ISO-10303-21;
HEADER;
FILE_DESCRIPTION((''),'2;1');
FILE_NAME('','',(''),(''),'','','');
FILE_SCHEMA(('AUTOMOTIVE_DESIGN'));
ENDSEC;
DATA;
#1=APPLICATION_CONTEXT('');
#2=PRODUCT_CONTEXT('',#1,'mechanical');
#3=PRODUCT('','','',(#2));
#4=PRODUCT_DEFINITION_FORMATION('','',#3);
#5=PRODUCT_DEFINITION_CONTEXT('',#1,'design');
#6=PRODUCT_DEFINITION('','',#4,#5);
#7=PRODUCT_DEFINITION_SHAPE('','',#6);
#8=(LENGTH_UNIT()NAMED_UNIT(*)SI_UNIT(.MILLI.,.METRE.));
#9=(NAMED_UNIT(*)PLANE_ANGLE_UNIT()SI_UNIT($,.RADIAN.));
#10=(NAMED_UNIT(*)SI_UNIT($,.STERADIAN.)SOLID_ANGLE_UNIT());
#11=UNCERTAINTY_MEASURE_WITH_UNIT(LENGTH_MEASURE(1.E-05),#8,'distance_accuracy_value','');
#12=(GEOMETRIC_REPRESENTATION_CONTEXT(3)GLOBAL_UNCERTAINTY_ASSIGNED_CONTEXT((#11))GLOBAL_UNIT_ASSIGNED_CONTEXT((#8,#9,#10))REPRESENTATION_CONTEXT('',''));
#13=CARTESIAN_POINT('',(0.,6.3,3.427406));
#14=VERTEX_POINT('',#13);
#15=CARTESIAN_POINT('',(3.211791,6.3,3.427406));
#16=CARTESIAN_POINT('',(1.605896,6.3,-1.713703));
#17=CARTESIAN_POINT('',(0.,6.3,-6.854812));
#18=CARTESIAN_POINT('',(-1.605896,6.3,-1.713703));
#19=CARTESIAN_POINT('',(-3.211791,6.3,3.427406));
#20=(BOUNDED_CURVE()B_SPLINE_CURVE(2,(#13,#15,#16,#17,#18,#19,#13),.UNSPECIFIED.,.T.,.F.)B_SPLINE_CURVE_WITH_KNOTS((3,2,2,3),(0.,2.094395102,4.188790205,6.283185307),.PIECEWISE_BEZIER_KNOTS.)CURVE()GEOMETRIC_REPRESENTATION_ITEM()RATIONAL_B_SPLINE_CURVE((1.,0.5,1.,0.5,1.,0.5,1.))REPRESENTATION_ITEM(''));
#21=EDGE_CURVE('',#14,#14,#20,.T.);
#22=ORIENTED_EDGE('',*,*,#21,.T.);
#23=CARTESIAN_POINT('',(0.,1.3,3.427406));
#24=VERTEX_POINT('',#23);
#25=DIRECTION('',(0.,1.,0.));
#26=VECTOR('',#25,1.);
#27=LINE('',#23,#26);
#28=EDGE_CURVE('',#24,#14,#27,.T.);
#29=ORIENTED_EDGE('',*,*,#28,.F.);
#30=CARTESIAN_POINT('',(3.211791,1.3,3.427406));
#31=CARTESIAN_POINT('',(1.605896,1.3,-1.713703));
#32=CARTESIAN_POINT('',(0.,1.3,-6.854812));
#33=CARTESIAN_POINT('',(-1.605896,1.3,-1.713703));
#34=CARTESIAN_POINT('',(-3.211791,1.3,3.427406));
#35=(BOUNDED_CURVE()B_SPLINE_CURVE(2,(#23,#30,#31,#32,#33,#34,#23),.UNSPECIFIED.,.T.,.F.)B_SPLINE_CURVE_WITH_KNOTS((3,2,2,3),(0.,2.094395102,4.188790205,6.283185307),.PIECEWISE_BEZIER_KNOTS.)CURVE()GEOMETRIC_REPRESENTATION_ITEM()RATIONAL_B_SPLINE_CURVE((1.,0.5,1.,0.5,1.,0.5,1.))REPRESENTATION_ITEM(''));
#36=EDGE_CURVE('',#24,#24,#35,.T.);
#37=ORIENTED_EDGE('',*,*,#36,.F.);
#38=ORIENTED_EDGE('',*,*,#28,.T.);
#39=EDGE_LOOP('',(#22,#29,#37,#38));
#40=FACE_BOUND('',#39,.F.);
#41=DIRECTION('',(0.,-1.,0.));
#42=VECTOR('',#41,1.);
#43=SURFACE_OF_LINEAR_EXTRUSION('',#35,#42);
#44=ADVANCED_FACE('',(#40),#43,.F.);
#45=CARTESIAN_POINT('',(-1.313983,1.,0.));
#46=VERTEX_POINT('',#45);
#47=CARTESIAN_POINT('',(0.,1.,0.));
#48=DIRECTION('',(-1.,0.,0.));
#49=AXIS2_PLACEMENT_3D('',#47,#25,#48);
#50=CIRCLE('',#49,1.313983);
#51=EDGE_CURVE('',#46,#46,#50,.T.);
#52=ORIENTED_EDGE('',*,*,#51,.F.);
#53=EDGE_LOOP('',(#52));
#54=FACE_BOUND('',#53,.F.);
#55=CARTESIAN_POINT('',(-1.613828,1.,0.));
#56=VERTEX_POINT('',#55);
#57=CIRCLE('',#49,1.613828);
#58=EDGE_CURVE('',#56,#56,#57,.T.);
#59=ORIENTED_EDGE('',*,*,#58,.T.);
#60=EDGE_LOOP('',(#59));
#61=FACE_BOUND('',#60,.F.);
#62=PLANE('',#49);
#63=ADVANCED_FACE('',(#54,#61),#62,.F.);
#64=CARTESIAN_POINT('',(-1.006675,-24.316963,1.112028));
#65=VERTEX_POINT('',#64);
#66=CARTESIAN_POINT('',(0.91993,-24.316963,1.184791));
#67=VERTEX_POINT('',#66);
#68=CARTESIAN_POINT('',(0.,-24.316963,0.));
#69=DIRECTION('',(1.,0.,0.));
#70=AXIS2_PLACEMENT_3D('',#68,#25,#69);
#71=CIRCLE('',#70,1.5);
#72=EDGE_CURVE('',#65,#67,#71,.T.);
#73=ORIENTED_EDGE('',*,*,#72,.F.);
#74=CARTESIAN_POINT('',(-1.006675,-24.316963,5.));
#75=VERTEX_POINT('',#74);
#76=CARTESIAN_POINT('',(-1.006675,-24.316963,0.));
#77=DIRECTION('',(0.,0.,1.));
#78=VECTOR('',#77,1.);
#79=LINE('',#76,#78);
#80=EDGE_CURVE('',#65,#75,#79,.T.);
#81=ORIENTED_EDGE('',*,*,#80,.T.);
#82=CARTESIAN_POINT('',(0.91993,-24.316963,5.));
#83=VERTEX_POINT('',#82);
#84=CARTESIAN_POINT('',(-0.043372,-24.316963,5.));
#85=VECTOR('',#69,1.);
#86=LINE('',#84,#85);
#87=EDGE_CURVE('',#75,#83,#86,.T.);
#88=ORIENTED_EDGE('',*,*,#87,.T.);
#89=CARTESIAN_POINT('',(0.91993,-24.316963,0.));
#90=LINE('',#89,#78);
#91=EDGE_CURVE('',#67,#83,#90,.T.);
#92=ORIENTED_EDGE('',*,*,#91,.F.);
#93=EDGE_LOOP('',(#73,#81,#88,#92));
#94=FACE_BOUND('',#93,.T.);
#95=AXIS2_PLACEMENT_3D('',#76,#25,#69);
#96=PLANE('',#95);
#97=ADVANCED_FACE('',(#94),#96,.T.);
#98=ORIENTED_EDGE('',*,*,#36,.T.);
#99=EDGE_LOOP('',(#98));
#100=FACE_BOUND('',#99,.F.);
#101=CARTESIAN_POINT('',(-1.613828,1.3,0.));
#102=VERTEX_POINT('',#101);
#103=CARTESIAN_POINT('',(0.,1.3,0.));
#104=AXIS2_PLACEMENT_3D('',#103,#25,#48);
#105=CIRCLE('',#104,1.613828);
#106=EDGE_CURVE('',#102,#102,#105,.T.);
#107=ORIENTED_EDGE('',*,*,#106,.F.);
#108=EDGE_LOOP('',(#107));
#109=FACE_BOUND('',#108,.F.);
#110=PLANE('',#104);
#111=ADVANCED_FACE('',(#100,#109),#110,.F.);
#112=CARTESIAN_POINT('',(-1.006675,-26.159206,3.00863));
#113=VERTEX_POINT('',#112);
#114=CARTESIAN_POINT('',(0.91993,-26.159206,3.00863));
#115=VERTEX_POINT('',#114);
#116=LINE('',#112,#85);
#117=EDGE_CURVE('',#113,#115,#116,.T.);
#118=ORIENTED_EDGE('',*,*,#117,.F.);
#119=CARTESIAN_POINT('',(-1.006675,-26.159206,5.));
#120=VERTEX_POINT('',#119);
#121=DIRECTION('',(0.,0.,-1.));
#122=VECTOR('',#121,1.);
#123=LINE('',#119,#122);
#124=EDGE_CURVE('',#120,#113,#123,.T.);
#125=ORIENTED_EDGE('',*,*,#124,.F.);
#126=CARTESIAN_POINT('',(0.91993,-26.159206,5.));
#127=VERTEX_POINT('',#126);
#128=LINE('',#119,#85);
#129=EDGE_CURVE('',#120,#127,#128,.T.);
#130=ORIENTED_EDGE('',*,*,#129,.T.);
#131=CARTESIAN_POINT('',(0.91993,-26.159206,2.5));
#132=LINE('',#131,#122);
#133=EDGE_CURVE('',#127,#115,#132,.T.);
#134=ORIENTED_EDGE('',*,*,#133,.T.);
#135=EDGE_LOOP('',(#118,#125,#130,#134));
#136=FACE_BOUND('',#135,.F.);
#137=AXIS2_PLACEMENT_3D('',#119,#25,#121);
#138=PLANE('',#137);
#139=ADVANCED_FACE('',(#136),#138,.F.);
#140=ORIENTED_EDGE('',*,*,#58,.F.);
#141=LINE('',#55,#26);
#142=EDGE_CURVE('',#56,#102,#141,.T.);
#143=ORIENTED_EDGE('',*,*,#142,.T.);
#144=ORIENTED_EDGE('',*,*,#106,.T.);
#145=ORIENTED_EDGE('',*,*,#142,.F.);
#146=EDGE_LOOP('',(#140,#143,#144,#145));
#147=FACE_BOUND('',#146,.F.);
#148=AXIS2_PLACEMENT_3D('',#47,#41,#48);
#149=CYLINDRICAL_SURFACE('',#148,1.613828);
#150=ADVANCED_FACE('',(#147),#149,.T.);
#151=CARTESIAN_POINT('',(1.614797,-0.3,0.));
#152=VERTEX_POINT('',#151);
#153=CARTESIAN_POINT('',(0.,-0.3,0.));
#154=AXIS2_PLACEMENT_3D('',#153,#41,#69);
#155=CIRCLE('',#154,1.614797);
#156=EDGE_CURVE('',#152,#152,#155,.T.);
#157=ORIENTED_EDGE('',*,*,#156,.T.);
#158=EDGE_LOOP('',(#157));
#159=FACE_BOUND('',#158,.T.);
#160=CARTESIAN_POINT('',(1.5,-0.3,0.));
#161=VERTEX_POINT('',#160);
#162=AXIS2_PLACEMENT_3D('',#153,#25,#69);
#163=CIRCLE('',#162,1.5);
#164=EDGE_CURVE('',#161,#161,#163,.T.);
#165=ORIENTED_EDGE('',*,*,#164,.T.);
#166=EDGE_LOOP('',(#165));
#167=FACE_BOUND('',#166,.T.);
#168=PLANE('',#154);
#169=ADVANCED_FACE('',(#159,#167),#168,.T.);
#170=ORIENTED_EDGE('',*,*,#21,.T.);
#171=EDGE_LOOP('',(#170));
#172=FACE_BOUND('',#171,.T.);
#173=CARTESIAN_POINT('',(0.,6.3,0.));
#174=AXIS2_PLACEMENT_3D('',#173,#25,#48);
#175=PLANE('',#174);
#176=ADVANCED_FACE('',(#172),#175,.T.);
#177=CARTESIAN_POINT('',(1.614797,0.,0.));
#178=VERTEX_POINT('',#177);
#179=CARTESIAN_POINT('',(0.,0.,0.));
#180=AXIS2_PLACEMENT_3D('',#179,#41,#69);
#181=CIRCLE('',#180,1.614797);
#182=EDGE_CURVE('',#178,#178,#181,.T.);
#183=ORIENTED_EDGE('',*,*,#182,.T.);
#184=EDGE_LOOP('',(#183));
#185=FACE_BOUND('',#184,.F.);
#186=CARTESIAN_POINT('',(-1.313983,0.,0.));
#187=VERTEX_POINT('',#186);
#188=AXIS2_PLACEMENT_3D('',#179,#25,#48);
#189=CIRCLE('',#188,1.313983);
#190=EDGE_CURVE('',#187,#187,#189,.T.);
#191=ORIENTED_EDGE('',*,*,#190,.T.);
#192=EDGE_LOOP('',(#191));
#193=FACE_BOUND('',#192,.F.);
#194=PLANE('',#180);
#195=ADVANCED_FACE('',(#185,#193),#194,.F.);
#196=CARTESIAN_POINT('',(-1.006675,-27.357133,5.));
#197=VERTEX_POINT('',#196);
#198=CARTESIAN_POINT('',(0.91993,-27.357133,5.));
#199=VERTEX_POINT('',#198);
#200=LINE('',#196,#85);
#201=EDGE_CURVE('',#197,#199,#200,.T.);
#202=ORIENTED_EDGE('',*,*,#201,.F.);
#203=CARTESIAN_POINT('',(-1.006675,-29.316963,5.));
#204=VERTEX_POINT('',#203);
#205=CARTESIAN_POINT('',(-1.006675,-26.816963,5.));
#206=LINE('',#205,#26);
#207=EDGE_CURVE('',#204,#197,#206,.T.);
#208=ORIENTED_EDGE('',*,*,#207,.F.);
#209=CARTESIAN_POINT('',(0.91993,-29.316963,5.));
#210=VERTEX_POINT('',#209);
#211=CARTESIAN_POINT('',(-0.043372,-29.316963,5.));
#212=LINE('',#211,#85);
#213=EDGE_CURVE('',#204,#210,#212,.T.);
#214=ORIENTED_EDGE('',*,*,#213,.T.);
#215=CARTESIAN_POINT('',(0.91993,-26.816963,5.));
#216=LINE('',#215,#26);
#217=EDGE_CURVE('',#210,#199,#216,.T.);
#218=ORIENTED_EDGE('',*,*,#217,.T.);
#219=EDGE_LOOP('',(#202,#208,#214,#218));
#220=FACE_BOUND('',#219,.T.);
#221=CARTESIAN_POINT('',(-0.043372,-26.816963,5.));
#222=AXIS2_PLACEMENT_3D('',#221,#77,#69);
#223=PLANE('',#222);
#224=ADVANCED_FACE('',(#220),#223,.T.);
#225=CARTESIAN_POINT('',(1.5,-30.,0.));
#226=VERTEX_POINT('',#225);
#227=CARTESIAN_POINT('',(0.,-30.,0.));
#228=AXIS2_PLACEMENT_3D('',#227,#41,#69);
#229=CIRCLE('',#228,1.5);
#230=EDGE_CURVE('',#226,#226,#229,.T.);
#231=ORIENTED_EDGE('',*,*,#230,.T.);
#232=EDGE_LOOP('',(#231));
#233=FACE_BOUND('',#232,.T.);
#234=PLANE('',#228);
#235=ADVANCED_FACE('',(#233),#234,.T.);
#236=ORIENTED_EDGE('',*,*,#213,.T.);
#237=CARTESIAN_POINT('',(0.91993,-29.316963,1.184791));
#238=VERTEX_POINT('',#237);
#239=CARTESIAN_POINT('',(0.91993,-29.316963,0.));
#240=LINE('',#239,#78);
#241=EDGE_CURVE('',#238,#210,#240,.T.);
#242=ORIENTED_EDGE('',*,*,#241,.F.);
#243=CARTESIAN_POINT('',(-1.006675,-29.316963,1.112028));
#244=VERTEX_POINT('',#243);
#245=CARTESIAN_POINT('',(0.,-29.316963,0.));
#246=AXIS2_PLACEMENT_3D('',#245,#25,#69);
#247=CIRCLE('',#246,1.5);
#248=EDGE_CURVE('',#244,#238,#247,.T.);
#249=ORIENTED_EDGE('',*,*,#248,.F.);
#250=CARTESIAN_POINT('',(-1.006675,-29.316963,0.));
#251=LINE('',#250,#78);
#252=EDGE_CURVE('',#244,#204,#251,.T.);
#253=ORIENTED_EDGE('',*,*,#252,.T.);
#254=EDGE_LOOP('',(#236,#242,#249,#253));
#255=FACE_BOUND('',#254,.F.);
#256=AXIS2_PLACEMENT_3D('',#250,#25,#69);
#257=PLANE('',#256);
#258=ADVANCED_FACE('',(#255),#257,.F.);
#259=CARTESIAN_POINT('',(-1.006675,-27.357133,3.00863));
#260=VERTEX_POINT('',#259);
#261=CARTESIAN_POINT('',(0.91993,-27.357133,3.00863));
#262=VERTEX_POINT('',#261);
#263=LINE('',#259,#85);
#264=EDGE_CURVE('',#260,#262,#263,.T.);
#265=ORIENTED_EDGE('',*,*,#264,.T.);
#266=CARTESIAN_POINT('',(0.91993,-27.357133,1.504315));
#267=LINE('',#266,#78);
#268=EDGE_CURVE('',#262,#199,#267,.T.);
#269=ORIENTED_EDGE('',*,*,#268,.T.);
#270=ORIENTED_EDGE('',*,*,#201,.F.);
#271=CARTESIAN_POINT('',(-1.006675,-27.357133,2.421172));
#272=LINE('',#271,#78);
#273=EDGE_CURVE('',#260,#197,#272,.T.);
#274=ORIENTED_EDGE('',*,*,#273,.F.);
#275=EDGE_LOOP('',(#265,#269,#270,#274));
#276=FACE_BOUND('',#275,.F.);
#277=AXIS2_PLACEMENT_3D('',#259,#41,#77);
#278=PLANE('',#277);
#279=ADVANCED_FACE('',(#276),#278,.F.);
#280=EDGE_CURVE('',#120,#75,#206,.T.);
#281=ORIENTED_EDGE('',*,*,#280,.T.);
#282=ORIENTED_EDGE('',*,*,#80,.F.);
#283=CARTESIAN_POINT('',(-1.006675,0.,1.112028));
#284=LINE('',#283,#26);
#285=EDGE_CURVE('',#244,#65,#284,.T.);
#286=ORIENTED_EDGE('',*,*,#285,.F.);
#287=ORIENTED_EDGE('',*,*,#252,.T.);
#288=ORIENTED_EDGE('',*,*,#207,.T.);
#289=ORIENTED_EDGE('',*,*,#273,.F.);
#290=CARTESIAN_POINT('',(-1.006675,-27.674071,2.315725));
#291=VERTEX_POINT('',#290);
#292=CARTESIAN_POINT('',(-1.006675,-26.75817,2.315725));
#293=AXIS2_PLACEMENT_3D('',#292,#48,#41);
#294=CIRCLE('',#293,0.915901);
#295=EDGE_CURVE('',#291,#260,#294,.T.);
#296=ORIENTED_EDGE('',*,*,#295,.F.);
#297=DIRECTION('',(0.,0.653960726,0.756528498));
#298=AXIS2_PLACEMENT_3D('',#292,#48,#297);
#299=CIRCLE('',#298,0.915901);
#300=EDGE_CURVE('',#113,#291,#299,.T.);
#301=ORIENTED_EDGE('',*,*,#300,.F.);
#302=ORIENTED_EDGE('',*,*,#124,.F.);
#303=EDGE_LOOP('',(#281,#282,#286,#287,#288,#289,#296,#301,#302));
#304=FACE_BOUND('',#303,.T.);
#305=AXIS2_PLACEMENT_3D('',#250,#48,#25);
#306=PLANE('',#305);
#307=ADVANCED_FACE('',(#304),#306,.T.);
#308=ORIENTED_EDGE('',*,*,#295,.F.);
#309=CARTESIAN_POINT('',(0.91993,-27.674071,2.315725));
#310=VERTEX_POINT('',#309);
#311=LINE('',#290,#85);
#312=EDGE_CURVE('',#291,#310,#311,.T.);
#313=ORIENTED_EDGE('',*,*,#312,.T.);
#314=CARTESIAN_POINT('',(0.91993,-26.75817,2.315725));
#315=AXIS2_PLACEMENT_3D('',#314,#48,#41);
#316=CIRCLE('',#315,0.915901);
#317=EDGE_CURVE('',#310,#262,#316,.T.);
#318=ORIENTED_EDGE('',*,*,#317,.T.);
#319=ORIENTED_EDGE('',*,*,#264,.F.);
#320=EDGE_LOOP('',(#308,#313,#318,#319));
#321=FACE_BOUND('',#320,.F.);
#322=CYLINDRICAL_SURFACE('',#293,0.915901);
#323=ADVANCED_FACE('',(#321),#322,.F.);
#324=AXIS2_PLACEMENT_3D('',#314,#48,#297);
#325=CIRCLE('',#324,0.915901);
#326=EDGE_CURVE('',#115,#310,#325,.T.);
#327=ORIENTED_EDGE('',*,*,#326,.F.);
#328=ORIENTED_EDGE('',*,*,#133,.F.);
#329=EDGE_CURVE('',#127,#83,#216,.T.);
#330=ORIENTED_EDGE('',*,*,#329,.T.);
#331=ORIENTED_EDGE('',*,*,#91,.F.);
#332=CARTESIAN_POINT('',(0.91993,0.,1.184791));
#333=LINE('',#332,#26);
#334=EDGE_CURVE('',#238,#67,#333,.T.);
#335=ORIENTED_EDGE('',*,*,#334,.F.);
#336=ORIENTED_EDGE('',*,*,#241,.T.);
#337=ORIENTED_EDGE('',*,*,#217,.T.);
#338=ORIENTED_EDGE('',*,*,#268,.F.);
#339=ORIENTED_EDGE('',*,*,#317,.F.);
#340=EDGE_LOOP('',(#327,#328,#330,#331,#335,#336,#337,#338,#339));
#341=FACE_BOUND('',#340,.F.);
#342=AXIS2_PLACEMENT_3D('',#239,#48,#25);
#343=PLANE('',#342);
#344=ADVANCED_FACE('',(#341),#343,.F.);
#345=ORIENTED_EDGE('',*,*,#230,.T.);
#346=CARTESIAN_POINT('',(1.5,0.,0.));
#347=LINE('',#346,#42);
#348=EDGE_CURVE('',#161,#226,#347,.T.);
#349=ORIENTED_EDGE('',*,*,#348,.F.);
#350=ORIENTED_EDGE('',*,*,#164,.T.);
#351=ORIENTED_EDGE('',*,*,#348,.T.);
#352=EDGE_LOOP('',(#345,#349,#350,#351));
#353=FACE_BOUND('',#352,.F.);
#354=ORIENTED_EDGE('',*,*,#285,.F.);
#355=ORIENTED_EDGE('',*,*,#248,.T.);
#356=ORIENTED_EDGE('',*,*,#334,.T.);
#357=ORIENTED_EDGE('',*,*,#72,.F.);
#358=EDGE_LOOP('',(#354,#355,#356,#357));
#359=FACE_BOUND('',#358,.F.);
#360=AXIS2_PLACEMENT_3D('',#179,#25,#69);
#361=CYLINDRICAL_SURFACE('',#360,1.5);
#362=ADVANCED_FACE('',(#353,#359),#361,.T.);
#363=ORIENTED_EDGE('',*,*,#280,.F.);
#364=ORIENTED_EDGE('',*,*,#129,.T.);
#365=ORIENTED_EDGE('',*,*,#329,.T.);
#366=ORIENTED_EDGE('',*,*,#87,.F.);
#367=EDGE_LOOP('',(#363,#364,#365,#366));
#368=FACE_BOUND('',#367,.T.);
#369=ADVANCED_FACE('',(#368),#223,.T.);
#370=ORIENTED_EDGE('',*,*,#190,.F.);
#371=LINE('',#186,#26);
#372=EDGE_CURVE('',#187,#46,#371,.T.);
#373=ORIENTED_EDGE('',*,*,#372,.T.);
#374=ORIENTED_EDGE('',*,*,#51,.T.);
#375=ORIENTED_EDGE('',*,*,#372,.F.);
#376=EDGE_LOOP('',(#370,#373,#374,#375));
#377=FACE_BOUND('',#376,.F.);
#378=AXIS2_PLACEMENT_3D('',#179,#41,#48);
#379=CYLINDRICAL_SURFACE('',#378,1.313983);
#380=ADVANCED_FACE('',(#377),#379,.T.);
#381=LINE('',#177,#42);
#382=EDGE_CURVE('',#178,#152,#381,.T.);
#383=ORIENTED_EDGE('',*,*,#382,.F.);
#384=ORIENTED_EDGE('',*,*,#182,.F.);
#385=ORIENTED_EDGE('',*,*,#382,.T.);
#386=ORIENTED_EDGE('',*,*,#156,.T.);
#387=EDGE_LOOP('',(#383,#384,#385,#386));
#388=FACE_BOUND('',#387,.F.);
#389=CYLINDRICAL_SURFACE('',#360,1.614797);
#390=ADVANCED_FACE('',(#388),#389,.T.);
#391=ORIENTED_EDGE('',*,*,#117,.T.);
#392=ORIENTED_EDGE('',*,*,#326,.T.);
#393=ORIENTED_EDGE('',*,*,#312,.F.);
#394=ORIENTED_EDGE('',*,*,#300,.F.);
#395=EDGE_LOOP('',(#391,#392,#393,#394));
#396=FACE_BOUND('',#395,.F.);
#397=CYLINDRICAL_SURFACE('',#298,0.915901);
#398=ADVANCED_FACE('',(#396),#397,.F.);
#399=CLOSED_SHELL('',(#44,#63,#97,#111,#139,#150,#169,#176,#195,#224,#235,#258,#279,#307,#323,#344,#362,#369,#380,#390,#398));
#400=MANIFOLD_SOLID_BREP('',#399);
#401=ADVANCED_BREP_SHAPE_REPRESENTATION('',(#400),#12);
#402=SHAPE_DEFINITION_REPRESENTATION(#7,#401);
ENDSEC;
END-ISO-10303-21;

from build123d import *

# Parameters (mm, degrees)
F0_R      = 1.5
F1_DEPTH  = 30
F2_R      = 1.6147965921
F3_DEPTH  = 0.3
F4_R      = 1.3139828075
F5_DEPTH  = 1
F6_R      = 1.6138280909
F7_DEPTH  = 0.3
F8_W      = 1.9266049554
F8_H      = 5
F9_DEPTH  = 5
F11_DEPTH = 25
F13_DEPTH = 5


with BuildPart() as f1:
    # F0 (on Front) → F1 (new body)
    with BuildSketch(Plane.XZ):
        Circle(F0_R)
    extrude(amount=F1_DEPTH)

    # F2 (on Front) → F3 (join)
    with BuildSketch(Plane.XZ):
        Circle(F2_R)
    extrude(amount=F3_DEPTH)

    # F4 (on face) → F5 (join)
    with BuildSketch(Plane(origin=(0, 0, 0), x_dir=(-1, 0, 0), z_dir=(0, 1, 0))):
        Circle(F4_R)
    extrude(amount=F5_DEPTH)

    # F6 (on face) → F7 (join)
    with BuildSketch(Plane(origin=(0, 1, 0), x_dir=(-1, 0, 0), z_dir=(0, 1, 0))):
        Circle(F6_R)
    extrude(amount=F7_DEPTH)

    # F8 (on Top) → F9 (join)
    with BuildSketch(Plane.XY):
        with Locations((-0.043372449, -26.8169632182)):
            Rectangle(F8_W, F8_H)
    extrude(amount=F9_DEPTH)

    # F10 (on face) → F11 (cut)
    with BuildSketch(Plane(origin=(-1.0066749267, 0, 0), x_dir=(0, -1, 0), z_dir=(-1, 0, 0))):
        with BuildLine():
            Line((27.3571331054, 5), (26.1592064053, 5))
            Line((26.1592064053, 5), (26.1592064053, 3.0086300197))
            ThreePointArc((26.1592064053, 3.0086300197), (26.7581697553, 3.2316258366), (27.3571331054, 3.0086300197))
            Line((27.3571331054, 3.0086300197), (27.3571331054, 5))
        make_face()
        with BuildLine():
            ThreePointArc((27.3571331054, 3.0086300197), (26.7581697553, 3.2316258366), (26.1592064053, 3.0086300197))
            Line((26.1592064053, 3.0086300197), (26.1592064053, 2.4211721029))
            Line((26.1592064053, 2.4211721029), (27.3571331054, 2.4211721029))
            Line((27.3571331054, 2.4211721029), (27.3571331054, 3.0086300197))
        make_face()
        with BuildLine():
            Line((26.1592064053, 2.4211721029), (26.1592064053, 3.0086300197))
            ThreePointArc((26.1592064053, 3.0086300197), (26.3771949289, 1.4828183704), (27.6740708577, 2.3157247342))
            ThreePointArc((27.6740708577, 2.3157247342), (27.5910761192, 2.6966995606), (27.3571331054, 3.0086300197))
            Line((27.3571331054, 3.0086300197), (27.3571331054, 2.4211721029))
            Line((27.3571331054, 2.4211721029), (26.1592064053, 2.4211721029))
        make_face()
    extrude(amount=-F11_DEPTH, mode=Mode.SUBTRACT)

    # F12 (on face) → F13 (join)
    with BuildSketch(Plane(origin=(0, 1.3, 0), x_dir=(-1, 0, 0), z_dir=(0, 1, 0))):
        with BuildLine():
            add(Edge.make_bspline(
                [(0, 3.4274058416), (-3.2117910591, 3.4274058416), (-1.6058955295, -1.7137029208), (0, -6.8548116833), (1.6058955295, -1.7137029208), (3.2117910591, 3.4274058416), (0, 3.4274058416)],
                knots=[0, 0, 0, 2.0943951024, 2.0943951024, 4.1887902048, 4.1887902048, 6.2831853072, 6.2831853072, 6.2831853072], degree=2, weights=[1, 0.5, 1, 0.5, 1, 0.5, 1]))
        make_face()
    extrude(amount=F13_DEPTH)


solid = f1.part
